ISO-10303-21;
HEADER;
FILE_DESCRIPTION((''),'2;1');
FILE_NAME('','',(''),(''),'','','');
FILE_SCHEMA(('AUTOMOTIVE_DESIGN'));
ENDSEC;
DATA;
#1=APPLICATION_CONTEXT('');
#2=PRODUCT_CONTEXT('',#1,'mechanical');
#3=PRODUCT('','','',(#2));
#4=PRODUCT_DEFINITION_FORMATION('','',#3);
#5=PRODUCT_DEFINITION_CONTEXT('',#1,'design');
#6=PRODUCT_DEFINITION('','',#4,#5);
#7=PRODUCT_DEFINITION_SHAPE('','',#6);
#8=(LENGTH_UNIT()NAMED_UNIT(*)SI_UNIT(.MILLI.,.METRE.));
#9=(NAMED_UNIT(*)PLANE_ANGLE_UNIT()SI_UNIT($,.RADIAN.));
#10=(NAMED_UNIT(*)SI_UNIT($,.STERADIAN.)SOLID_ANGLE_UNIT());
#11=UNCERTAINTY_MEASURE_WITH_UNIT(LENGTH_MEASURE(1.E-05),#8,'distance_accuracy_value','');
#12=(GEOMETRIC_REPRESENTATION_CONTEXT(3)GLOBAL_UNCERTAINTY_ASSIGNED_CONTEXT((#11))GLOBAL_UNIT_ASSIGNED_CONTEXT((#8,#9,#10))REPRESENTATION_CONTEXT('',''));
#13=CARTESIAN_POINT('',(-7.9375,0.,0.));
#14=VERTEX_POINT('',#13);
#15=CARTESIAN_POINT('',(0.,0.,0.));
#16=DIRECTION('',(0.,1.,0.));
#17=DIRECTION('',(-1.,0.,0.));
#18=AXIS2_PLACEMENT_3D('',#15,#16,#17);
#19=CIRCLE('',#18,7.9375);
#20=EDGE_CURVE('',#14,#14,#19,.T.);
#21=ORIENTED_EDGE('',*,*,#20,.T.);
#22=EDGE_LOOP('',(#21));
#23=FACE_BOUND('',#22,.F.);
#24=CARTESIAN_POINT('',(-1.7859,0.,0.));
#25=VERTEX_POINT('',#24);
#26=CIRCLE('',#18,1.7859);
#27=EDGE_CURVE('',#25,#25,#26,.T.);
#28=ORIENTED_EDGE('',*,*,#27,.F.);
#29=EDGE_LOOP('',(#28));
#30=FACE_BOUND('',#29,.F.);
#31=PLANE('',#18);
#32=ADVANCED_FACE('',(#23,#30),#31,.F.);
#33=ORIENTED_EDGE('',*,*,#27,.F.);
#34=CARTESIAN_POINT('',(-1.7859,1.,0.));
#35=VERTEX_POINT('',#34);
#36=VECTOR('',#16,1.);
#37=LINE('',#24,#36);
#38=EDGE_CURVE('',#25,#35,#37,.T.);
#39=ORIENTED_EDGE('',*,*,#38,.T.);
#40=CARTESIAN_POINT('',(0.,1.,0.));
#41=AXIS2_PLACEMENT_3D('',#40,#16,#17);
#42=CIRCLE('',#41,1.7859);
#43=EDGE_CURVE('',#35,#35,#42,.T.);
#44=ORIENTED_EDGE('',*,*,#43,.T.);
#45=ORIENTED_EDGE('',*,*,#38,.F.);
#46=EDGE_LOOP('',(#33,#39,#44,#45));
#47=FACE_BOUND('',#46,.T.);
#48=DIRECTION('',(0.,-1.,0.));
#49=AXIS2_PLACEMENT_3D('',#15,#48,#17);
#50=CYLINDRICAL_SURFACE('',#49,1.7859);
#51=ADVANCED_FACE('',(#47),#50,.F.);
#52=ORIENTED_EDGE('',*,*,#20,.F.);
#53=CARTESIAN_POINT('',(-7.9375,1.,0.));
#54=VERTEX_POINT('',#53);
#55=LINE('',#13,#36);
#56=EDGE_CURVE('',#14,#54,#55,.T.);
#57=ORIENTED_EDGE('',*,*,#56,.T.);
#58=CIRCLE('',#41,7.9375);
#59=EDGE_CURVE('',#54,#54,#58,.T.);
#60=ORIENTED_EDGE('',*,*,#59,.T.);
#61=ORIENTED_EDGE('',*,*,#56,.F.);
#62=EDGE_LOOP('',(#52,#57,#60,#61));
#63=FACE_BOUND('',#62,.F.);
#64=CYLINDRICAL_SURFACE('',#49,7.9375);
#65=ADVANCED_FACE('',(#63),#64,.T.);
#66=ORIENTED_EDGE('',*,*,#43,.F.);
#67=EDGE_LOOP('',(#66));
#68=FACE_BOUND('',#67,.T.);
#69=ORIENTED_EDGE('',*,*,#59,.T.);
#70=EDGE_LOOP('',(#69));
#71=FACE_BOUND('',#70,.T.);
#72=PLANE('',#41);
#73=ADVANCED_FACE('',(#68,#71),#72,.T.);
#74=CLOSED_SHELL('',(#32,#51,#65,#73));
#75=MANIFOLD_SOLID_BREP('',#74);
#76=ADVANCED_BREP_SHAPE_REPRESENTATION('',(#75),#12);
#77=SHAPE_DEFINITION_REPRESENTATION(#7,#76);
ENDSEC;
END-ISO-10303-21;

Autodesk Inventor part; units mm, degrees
ref_plane "YZ Plane" through (0, 0, 0) normal (1, 0, 0) x (0, 1, 0)
ref_plane "XZ Plane" through (0, 0, 0) normal (0, 1, 0) x (-1, 0, 0)
ref_plane "XY Plane" through (0, 0, 0) normal (0, 0, 1) x (1, 0, 0)
sketch "Sketch1" plane through (0, 0, 0) normal (0, 1, 0) x (-1, 0, 0)
  circle A0 centre (0, 0) radius 1.7859
  circle A1 centre (0, 0) radius 7.9375
  dimension "d0" = 3.5719
  dimension "d1" = 15.875
extrude "Extrusion1" add sketch "Sketch1" along normal blind 1
properties part number "No6FenderWasher"
